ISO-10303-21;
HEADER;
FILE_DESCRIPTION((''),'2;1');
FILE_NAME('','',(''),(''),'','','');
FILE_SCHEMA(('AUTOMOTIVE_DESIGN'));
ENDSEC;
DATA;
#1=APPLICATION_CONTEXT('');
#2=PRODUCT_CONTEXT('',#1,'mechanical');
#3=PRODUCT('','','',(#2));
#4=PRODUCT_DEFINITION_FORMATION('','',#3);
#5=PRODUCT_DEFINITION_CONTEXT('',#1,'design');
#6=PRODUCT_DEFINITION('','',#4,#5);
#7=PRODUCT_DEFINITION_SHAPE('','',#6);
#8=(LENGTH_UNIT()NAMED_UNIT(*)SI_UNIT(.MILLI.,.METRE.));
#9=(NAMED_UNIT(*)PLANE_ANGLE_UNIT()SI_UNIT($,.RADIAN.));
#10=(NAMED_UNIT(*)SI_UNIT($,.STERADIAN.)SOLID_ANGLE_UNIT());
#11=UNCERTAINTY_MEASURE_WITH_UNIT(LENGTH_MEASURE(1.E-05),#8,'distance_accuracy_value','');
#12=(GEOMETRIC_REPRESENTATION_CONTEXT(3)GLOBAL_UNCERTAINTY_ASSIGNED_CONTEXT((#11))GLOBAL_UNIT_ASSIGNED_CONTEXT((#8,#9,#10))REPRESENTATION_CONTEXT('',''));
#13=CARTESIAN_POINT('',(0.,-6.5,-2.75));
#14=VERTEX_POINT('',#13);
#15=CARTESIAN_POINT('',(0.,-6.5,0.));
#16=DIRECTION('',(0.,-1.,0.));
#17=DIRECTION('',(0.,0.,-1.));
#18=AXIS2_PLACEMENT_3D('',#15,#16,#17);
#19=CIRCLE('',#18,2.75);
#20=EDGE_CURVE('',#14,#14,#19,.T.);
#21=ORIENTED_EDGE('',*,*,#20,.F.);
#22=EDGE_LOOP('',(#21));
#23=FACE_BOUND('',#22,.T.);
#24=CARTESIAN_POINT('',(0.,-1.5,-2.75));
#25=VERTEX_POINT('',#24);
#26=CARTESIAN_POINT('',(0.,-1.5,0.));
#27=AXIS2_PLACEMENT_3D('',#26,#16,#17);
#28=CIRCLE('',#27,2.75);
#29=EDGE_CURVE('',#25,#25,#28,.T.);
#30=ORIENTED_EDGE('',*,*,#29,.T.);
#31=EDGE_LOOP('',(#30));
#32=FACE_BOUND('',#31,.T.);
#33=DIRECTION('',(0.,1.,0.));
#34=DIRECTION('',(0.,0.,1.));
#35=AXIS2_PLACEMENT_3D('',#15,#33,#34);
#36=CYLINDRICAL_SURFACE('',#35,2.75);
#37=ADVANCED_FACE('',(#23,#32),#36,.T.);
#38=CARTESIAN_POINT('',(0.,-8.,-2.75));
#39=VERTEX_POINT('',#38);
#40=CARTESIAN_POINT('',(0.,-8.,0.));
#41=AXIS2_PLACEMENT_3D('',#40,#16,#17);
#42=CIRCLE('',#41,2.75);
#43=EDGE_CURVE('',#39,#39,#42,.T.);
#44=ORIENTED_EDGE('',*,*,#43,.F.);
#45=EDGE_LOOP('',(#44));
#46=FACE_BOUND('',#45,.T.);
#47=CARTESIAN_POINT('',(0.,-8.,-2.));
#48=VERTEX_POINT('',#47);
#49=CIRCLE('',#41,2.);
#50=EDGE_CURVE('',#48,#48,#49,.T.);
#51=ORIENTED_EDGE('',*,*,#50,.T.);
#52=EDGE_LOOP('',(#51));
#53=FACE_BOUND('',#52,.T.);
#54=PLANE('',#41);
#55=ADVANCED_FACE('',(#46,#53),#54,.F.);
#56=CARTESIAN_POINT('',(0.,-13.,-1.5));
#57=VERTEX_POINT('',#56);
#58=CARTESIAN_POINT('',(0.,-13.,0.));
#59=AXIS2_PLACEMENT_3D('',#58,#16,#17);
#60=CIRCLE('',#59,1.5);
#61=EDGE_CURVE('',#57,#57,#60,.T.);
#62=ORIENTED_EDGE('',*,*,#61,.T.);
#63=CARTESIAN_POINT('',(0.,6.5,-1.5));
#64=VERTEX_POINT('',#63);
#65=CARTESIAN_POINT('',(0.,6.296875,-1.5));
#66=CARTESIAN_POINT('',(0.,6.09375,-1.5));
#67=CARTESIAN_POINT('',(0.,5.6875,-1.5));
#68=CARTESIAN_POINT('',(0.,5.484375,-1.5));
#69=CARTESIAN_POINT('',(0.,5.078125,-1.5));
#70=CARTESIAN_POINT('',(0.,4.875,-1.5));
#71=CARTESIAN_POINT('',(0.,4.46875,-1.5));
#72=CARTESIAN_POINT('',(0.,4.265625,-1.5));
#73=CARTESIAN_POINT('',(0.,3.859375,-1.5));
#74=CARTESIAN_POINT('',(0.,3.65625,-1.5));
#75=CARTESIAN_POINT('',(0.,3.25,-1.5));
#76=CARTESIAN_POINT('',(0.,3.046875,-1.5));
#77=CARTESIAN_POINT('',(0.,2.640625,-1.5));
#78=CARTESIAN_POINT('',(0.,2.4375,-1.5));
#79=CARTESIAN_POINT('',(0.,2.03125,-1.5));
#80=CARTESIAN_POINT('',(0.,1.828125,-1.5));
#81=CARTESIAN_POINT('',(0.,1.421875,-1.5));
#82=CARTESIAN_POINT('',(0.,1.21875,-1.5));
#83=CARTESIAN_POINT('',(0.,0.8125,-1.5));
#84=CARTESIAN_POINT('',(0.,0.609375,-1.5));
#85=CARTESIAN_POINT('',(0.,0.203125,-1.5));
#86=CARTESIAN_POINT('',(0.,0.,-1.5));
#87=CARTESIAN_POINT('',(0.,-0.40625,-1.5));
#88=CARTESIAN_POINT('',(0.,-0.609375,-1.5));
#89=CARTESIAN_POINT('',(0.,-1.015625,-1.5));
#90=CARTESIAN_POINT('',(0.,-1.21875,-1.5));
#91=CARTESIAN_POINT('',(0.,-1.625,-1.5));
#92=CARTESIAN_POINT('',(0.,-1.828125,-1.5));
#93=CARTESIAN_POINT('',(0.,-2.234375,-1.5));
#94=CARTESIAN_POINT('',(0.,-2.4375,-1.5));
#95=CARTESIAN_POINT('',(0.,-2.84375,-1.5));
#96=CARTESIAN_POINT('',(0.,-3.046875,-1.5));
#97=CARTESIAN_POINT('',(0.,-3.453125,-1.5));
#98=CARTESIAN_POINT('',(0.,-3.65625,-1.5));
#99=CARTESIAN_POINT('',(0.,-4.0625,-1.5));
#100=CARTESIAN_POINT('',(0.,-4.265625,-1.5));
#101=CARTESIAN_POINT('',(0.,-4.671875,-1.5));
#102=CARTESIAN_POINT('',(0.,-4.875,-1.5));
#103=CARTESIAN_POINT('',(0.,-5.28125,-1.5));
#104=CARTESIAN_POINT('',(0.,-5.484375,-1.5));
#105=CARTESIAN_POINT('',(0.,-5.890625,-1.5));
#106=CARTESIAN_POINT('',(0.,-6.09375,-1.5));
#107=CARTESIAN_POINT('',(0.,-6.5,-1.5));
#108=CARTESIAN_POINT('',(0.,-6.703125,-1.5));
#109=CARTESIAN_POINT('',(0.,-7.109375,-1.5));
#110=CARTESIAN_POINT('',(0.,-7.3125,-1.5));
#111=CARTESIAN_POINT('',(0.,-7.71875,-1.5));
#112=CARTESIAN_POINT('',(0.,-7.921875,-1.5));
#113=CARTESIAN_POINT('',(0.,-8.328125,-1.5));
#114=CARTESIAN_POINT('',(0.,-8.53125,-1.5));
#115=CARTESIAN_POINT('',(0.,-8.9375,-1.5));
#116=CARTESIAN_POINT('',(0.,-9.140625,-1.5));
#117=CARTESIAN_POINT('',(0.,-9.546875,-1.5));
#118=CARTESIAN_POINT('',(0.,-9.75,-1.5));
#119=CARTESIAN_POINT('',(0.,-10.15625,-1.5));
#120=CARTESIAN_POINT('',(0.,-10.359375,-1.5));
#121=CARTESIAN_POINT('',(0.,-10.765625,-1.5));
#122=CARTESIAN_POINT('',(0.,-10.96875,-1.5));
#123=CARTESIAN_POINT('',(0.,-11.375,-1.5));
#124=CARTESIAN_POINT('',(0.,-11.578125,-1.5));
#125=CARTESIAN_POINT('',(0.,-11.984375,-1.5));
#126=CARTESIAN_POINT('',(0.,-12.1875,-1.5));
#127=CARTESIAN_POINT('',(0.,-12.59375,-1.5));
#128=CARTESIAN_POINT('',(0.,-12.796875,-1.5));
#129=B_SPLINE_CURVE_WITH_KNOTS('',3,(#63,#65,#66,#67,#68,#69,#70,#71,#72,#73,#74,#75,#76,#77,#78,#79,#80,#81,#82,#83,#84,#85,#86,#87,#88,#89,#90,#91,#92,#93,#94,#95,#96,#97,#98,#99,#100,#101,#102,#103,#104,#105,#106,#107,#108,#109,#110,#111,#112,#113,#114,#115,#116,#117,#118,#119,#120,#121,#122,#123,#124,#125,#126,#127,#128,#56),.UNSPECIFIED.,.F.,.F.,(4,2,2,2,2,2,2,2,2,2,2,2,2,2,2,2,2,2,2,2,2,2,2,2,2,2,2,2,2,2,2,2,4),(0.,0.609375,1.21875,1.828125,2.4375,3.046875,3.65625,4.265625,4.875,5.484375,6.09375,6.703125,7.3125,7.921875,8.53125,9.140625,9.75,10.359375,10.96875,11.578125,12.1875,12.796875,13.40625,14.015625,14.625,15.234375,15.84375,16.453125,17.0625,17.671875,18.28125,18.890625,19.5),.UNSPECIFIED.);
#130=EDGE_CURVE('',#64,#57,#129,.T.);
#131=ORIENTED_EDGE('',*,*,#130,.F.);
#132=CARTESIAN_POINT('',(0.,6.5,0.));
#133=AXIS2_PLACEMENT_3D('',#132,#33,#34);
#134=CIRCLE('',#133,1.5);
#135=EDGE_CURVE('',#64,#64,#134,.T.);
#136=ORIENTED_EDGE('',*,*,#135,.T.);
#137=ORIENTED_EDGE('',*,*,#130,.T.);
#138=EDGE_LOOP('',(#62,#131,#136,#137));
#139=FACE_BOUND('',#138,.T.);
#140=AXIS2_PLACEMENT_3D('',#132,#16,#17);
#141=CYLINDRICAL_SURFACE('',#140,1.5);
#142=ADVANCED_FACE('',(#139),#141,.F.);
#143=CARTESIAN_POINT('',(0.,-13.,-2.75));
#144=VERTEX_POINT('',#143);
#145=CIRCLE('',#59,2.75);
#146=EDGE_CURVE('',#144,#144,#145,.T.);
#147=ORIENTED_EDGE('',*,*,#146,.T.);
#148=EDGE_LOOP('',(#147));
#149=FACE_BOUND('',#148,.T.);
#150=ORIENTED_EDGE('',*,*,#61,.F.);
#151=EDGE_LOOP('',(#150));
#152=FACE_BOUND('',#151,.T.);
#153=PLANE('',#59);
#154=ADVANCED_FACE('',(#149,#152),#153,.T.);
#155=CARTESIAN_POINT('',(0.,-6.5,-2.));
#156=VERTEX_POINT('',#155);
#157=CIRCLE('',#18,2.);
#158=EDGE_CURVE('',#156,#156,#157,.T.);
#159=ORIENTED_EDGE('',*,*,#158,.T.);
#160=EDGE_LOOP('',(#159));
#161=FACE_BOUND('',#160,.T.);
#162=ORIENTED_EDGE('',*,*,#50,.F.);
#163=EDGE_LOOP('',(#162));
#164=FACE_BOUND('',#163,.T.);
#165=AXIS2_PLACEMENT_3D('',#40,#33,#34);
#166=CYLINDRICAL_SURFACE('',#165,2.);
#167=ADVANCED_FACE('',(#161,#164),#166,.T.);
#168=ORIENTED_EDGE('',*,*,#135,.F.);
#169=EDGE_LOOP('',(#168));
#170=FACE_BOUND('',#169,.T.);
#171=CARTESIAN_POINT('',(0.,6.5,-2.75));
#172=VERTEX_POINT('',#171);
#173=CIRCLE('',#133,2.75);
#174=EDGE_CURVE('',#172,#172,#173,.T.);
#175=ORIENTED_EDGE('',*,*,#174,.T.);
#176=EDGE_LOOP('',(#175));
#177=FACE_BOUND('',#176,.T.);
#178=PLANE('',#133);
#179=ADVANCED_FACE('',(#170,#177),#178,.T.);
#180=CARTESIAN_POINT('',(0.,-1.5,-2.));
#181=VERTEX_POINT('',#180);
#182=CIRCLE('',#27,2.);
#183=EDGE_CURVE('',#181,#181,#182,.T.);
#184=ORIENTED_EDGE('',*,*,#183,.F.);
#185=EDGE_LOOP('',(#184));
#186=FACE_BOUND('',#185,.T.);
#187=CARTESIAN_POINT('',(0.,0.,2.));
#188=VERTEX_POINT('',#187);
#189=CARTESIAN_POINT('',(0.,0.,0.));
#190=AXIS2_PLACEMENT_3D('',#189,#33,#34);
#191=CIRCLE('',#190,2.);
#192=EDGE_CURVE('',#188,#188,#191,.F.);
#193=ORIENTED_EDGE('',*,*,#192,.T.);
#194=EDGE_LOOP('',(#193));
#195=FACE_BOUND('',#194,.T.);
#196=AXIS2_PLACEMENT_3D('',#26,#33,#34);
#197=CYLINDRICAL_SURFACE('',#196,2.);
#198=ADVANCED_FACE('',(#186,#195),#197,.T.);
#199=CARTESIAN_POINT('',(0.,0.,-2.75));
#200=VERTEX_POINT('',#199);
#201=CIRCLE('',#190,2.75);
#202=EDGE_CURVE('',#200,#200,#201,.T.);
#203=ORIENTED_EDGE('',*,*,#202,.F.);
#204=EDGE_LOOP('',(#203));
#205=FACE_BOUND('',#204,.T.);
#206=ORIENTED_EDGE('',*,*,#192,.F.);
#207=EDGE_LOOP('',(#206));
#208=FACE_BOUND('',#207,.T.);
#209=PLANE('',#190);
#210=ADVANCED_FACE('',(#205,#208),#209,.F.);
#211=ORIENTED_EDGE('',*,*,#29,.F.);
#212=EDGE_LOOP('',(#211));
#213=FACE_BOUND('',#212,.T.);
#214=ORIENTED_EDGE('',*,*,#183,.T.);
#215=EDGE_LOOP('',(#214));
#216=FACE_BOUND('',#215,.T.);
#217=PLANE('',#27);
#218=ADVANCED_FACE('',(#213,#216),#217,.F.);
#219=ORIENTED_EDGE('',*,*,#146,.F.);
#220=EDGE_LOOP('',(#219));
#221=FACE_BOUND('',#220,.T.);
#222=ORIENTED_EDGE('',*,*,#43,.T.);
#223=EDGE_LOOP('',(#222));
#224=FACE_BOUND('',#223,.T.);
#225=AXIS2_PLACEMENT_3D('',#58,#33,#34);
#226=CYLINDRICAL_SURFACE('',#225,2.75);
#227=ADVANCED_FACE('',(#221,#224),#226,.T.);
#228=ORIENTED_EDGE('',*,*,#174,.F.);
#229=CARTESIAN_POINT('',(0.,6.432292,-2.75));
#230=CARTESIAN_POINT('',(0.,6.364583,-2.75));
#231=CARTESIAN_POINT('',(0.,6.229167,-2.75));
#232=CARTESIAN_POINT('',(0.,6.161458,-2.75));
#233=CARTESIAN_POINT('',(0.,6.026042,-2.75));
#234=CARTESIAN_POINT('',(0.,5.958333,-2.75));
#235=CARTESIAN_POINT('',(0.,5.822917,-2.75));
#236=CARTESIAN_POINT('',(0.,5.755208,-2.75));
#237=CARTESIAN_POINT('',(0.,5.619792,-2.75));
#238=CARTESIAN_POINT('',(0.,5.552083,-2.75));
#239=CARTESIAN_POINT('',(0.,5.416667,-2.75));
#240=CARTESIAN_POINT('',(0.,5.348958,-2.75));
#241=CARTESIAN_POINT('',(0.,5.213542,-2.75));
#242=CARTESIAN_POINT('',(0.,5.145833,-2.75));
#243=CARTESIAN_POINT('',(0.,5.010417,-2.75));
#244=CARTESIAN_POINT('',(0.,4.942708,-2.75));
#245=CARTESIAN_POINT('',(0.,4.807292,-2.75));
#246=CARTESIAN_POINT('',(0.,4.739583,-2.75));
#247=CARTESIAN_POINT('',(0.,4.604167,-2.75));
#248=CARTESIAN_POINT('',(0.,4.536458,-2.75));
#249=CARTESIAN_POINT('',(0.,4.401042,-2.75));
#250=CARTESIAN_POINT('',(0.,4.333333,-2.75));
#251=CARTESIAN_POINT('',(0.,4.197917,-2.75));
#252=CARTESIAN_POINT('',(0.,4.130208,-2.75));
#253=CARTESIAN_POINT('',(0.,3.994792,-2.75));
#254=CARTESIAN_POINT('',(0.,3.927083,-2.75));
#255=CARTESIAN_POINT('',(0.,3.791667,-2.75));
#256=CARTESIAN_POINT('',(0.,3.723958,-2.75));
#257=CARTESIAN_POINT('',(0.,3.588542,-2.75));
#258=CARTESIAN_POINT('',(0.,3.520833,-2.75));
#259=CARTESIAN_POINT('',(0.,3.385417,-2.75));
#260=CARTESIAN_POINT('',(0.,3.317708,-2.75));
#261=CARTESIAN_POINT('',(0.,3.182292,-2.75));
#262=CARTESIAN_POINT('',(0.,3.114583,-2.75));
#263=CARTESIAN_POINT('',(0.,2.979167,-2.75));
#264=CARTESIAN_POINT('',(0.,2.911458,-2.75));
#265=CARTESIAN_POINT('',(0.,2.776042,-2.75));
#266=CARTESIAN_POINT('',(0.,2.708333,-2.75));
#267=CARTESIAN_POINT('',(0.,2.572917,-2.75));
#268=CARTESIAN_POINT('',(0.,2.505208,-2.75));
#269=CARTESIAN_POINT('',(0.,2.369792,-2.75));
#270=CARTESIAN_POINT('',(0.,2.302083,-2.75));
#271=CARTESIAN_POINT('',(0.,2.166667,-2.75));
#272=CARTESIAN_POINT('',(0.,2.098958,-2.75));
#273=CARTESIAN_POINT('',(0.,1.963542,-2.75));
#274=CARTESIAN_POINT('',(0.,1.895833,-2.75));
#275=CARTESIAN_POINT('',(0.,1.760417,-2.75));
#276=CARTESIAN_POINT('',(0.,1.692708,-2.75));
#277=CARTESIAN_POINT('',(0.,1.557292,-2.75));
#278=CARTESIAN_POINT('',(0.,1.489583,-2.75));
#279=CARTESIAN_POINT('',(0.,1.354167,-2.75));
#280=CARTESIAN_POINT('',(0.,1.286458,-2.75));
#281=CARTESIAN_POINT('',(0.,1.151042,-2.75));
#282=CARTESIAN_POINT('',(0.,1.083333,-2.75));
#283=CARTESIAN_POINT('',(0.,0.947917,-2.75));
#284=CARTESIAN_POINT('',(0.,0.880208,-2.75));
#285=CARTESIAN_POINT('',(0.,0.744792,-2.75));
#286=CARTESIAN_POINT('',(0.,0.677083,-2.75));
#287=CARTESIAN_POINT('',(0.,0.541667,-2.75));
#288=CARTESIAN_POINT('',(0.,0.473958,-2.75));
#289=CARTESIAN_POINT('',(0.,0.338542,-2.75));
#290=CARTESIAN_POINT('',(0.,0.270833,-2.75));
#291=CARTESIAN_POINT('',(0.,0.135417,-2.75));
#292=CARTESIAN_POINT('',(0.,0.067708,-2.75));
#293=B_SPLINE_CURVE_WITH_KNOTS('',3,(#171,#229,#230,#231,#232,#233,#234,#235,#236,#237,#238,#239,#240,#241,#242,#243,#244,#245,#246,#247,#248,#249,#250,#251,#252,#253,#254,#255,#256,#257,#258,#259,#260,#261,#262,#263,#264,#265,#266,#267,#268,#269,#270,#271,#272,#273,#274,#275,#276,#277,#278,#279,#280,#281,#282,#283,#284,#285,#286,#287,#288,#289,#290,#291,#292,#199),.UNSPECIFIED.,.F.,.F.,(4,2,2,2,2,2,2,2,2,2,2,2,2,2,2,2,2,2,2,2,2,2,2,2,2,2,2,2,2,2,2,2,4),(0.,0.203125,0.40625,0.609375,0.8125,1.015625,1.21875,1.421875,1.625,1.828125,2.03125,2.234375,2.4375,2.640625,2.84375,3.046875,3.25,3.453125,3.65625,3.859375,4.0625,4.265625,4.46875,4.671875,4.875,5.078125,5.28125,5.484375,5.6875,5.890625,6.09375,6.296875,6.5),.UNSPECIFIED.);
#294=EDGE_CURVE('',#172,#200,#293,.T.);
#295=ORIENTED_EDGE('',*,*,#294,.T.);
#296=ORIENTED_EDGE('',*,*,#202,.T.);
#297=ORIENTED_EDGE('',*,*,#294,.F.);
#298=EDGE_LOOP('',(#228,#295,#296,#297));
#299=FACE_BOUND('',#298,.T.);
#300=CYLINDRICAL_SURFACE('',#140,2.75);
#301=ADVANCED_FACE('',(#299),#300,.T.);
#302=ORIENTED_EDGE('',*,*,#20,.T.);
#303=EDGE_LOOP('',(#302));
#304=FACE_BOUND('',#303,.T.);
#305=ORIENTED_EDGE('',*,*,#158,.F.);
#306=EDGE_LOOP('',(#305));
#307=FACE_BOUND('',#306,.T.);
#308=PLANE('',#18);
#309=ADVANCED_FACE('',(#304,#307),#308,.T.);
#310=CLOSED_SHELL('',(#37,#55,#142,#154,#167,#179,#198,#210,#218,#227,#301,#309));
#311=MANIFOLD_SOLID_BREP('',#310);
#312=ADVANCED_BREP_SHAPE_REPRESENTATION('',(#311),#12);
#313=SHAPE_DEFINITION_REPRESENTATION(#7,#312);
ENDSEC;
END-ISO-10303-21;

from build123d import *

# Parameters (mm, degrees)
SKETCH_1_R      = 2.75
SKETCH_1_R_2    = 1.5
EXTRUDE_1_DEPTH = 6.5
EXTRUDE_START   = 1.5
SKETCH_2_R      = 2
SKETCH_2_R_2    = 1.5
EXTRUDE_2_DEPTH = 1.5
EXTRUDE_START_2 = 5
SKETCH_3_R      = 2.75
SKETCH_3_R_2    = 1.5
EXTRUDE_3_DEPTH = 5
SKETCH_4_R      = 2
SKETCH_4_R_2    = 1.5
EXTRUDE_4_DEPTH = 1.5
SKETCH_5_R      = 2.75
SKETCH_5_R_2    = 1.5
EXTRUDE_5_DEPTH = 5


with BuildPart() as part:
    # 草图1 → 凸台-拉伸1 (new body)
    with BuildSketch(Plane(origin=(0, 0, 0), x_dir=(1, 0, 0), z_dir=(0, 1, 0))):
        with Locations(Location((0, 0, 0), (0, 0, 90))):
            Circle(SKETCH_1_R)
        with Locations(Location((0, 0, 0), (0, 0, 90))):
            Circle(SKETCH_1_R_2, mode=Mode.SUBTRACT)
    extrude(amount=EXTRUDE_1_DEPTH)

    # 草图2 → 凸台-拉伸2 (add)
    with BuildSketch(Plane.XZ.offset(EXTRUDE_START)):
        with Locations(Location((0, 0, 0), (0, 0, 90))):
            Circle(SKETCH_2_R)
        with Locations(Location((0, 0, 0), (0, 0, 270))):
            Circle(SKETCH_2_R_2, mode=Mode.SUBTRACT)
    extrude(amount=-EXTRUDE_2_DEPTH)

    # 草图3 → 凸台-拉伸3 (add)
    with BuildSketch(Plane.XZ.offset(1.5).offset(EXTRUDE_START_2)):
        with Locations(Location((0, 0, 0), (0, 0, 270))):
            Circle(SKETCH_3_R)
        with Locations(Location((0, 0, 0), (0, 0, 270))):
            Circle(SKETCH_3_R_2, mode=Mode.SUBTRACT)
    extrude(amount=-EXTRUDE_3_DEPTH)

    # 草图4 → 凸台-拉伸4 (add)
    with BuildSketch(Plane.XZ.offset(6.5).offset(EXTRUDE_START)):
        with Locations(Location((0, 0, 0), (0, 0, 90))):
            Circle(SKETCH_4_R)
        with Locations(Location((0, 0, 0), (0, 0, 270))):
            Circle(SKETCH_4_R_2, mode=Mode.SUBTRACT)
    extrude(amount=-EXTRUDE_4_DEPTH)

    # 草图5 → 凸台-拉伸5 (add)
    with BuildSketch(Plane.XZ.offset(8).offset(EXTRUDE_START_2)):
        with Locations(Location((0, 0, 0), (0, 0, 270))):
            Circle(SKETCH_5_R)
        with Locations(Location((0, 0, 0), (0, 0, 270))):
            Circle(SKETCH_5_R_2, mode=Mode.SUBTRACT)
    extrude(amount=-EXTRUDE_5_DEPTH)


solid = part.part
